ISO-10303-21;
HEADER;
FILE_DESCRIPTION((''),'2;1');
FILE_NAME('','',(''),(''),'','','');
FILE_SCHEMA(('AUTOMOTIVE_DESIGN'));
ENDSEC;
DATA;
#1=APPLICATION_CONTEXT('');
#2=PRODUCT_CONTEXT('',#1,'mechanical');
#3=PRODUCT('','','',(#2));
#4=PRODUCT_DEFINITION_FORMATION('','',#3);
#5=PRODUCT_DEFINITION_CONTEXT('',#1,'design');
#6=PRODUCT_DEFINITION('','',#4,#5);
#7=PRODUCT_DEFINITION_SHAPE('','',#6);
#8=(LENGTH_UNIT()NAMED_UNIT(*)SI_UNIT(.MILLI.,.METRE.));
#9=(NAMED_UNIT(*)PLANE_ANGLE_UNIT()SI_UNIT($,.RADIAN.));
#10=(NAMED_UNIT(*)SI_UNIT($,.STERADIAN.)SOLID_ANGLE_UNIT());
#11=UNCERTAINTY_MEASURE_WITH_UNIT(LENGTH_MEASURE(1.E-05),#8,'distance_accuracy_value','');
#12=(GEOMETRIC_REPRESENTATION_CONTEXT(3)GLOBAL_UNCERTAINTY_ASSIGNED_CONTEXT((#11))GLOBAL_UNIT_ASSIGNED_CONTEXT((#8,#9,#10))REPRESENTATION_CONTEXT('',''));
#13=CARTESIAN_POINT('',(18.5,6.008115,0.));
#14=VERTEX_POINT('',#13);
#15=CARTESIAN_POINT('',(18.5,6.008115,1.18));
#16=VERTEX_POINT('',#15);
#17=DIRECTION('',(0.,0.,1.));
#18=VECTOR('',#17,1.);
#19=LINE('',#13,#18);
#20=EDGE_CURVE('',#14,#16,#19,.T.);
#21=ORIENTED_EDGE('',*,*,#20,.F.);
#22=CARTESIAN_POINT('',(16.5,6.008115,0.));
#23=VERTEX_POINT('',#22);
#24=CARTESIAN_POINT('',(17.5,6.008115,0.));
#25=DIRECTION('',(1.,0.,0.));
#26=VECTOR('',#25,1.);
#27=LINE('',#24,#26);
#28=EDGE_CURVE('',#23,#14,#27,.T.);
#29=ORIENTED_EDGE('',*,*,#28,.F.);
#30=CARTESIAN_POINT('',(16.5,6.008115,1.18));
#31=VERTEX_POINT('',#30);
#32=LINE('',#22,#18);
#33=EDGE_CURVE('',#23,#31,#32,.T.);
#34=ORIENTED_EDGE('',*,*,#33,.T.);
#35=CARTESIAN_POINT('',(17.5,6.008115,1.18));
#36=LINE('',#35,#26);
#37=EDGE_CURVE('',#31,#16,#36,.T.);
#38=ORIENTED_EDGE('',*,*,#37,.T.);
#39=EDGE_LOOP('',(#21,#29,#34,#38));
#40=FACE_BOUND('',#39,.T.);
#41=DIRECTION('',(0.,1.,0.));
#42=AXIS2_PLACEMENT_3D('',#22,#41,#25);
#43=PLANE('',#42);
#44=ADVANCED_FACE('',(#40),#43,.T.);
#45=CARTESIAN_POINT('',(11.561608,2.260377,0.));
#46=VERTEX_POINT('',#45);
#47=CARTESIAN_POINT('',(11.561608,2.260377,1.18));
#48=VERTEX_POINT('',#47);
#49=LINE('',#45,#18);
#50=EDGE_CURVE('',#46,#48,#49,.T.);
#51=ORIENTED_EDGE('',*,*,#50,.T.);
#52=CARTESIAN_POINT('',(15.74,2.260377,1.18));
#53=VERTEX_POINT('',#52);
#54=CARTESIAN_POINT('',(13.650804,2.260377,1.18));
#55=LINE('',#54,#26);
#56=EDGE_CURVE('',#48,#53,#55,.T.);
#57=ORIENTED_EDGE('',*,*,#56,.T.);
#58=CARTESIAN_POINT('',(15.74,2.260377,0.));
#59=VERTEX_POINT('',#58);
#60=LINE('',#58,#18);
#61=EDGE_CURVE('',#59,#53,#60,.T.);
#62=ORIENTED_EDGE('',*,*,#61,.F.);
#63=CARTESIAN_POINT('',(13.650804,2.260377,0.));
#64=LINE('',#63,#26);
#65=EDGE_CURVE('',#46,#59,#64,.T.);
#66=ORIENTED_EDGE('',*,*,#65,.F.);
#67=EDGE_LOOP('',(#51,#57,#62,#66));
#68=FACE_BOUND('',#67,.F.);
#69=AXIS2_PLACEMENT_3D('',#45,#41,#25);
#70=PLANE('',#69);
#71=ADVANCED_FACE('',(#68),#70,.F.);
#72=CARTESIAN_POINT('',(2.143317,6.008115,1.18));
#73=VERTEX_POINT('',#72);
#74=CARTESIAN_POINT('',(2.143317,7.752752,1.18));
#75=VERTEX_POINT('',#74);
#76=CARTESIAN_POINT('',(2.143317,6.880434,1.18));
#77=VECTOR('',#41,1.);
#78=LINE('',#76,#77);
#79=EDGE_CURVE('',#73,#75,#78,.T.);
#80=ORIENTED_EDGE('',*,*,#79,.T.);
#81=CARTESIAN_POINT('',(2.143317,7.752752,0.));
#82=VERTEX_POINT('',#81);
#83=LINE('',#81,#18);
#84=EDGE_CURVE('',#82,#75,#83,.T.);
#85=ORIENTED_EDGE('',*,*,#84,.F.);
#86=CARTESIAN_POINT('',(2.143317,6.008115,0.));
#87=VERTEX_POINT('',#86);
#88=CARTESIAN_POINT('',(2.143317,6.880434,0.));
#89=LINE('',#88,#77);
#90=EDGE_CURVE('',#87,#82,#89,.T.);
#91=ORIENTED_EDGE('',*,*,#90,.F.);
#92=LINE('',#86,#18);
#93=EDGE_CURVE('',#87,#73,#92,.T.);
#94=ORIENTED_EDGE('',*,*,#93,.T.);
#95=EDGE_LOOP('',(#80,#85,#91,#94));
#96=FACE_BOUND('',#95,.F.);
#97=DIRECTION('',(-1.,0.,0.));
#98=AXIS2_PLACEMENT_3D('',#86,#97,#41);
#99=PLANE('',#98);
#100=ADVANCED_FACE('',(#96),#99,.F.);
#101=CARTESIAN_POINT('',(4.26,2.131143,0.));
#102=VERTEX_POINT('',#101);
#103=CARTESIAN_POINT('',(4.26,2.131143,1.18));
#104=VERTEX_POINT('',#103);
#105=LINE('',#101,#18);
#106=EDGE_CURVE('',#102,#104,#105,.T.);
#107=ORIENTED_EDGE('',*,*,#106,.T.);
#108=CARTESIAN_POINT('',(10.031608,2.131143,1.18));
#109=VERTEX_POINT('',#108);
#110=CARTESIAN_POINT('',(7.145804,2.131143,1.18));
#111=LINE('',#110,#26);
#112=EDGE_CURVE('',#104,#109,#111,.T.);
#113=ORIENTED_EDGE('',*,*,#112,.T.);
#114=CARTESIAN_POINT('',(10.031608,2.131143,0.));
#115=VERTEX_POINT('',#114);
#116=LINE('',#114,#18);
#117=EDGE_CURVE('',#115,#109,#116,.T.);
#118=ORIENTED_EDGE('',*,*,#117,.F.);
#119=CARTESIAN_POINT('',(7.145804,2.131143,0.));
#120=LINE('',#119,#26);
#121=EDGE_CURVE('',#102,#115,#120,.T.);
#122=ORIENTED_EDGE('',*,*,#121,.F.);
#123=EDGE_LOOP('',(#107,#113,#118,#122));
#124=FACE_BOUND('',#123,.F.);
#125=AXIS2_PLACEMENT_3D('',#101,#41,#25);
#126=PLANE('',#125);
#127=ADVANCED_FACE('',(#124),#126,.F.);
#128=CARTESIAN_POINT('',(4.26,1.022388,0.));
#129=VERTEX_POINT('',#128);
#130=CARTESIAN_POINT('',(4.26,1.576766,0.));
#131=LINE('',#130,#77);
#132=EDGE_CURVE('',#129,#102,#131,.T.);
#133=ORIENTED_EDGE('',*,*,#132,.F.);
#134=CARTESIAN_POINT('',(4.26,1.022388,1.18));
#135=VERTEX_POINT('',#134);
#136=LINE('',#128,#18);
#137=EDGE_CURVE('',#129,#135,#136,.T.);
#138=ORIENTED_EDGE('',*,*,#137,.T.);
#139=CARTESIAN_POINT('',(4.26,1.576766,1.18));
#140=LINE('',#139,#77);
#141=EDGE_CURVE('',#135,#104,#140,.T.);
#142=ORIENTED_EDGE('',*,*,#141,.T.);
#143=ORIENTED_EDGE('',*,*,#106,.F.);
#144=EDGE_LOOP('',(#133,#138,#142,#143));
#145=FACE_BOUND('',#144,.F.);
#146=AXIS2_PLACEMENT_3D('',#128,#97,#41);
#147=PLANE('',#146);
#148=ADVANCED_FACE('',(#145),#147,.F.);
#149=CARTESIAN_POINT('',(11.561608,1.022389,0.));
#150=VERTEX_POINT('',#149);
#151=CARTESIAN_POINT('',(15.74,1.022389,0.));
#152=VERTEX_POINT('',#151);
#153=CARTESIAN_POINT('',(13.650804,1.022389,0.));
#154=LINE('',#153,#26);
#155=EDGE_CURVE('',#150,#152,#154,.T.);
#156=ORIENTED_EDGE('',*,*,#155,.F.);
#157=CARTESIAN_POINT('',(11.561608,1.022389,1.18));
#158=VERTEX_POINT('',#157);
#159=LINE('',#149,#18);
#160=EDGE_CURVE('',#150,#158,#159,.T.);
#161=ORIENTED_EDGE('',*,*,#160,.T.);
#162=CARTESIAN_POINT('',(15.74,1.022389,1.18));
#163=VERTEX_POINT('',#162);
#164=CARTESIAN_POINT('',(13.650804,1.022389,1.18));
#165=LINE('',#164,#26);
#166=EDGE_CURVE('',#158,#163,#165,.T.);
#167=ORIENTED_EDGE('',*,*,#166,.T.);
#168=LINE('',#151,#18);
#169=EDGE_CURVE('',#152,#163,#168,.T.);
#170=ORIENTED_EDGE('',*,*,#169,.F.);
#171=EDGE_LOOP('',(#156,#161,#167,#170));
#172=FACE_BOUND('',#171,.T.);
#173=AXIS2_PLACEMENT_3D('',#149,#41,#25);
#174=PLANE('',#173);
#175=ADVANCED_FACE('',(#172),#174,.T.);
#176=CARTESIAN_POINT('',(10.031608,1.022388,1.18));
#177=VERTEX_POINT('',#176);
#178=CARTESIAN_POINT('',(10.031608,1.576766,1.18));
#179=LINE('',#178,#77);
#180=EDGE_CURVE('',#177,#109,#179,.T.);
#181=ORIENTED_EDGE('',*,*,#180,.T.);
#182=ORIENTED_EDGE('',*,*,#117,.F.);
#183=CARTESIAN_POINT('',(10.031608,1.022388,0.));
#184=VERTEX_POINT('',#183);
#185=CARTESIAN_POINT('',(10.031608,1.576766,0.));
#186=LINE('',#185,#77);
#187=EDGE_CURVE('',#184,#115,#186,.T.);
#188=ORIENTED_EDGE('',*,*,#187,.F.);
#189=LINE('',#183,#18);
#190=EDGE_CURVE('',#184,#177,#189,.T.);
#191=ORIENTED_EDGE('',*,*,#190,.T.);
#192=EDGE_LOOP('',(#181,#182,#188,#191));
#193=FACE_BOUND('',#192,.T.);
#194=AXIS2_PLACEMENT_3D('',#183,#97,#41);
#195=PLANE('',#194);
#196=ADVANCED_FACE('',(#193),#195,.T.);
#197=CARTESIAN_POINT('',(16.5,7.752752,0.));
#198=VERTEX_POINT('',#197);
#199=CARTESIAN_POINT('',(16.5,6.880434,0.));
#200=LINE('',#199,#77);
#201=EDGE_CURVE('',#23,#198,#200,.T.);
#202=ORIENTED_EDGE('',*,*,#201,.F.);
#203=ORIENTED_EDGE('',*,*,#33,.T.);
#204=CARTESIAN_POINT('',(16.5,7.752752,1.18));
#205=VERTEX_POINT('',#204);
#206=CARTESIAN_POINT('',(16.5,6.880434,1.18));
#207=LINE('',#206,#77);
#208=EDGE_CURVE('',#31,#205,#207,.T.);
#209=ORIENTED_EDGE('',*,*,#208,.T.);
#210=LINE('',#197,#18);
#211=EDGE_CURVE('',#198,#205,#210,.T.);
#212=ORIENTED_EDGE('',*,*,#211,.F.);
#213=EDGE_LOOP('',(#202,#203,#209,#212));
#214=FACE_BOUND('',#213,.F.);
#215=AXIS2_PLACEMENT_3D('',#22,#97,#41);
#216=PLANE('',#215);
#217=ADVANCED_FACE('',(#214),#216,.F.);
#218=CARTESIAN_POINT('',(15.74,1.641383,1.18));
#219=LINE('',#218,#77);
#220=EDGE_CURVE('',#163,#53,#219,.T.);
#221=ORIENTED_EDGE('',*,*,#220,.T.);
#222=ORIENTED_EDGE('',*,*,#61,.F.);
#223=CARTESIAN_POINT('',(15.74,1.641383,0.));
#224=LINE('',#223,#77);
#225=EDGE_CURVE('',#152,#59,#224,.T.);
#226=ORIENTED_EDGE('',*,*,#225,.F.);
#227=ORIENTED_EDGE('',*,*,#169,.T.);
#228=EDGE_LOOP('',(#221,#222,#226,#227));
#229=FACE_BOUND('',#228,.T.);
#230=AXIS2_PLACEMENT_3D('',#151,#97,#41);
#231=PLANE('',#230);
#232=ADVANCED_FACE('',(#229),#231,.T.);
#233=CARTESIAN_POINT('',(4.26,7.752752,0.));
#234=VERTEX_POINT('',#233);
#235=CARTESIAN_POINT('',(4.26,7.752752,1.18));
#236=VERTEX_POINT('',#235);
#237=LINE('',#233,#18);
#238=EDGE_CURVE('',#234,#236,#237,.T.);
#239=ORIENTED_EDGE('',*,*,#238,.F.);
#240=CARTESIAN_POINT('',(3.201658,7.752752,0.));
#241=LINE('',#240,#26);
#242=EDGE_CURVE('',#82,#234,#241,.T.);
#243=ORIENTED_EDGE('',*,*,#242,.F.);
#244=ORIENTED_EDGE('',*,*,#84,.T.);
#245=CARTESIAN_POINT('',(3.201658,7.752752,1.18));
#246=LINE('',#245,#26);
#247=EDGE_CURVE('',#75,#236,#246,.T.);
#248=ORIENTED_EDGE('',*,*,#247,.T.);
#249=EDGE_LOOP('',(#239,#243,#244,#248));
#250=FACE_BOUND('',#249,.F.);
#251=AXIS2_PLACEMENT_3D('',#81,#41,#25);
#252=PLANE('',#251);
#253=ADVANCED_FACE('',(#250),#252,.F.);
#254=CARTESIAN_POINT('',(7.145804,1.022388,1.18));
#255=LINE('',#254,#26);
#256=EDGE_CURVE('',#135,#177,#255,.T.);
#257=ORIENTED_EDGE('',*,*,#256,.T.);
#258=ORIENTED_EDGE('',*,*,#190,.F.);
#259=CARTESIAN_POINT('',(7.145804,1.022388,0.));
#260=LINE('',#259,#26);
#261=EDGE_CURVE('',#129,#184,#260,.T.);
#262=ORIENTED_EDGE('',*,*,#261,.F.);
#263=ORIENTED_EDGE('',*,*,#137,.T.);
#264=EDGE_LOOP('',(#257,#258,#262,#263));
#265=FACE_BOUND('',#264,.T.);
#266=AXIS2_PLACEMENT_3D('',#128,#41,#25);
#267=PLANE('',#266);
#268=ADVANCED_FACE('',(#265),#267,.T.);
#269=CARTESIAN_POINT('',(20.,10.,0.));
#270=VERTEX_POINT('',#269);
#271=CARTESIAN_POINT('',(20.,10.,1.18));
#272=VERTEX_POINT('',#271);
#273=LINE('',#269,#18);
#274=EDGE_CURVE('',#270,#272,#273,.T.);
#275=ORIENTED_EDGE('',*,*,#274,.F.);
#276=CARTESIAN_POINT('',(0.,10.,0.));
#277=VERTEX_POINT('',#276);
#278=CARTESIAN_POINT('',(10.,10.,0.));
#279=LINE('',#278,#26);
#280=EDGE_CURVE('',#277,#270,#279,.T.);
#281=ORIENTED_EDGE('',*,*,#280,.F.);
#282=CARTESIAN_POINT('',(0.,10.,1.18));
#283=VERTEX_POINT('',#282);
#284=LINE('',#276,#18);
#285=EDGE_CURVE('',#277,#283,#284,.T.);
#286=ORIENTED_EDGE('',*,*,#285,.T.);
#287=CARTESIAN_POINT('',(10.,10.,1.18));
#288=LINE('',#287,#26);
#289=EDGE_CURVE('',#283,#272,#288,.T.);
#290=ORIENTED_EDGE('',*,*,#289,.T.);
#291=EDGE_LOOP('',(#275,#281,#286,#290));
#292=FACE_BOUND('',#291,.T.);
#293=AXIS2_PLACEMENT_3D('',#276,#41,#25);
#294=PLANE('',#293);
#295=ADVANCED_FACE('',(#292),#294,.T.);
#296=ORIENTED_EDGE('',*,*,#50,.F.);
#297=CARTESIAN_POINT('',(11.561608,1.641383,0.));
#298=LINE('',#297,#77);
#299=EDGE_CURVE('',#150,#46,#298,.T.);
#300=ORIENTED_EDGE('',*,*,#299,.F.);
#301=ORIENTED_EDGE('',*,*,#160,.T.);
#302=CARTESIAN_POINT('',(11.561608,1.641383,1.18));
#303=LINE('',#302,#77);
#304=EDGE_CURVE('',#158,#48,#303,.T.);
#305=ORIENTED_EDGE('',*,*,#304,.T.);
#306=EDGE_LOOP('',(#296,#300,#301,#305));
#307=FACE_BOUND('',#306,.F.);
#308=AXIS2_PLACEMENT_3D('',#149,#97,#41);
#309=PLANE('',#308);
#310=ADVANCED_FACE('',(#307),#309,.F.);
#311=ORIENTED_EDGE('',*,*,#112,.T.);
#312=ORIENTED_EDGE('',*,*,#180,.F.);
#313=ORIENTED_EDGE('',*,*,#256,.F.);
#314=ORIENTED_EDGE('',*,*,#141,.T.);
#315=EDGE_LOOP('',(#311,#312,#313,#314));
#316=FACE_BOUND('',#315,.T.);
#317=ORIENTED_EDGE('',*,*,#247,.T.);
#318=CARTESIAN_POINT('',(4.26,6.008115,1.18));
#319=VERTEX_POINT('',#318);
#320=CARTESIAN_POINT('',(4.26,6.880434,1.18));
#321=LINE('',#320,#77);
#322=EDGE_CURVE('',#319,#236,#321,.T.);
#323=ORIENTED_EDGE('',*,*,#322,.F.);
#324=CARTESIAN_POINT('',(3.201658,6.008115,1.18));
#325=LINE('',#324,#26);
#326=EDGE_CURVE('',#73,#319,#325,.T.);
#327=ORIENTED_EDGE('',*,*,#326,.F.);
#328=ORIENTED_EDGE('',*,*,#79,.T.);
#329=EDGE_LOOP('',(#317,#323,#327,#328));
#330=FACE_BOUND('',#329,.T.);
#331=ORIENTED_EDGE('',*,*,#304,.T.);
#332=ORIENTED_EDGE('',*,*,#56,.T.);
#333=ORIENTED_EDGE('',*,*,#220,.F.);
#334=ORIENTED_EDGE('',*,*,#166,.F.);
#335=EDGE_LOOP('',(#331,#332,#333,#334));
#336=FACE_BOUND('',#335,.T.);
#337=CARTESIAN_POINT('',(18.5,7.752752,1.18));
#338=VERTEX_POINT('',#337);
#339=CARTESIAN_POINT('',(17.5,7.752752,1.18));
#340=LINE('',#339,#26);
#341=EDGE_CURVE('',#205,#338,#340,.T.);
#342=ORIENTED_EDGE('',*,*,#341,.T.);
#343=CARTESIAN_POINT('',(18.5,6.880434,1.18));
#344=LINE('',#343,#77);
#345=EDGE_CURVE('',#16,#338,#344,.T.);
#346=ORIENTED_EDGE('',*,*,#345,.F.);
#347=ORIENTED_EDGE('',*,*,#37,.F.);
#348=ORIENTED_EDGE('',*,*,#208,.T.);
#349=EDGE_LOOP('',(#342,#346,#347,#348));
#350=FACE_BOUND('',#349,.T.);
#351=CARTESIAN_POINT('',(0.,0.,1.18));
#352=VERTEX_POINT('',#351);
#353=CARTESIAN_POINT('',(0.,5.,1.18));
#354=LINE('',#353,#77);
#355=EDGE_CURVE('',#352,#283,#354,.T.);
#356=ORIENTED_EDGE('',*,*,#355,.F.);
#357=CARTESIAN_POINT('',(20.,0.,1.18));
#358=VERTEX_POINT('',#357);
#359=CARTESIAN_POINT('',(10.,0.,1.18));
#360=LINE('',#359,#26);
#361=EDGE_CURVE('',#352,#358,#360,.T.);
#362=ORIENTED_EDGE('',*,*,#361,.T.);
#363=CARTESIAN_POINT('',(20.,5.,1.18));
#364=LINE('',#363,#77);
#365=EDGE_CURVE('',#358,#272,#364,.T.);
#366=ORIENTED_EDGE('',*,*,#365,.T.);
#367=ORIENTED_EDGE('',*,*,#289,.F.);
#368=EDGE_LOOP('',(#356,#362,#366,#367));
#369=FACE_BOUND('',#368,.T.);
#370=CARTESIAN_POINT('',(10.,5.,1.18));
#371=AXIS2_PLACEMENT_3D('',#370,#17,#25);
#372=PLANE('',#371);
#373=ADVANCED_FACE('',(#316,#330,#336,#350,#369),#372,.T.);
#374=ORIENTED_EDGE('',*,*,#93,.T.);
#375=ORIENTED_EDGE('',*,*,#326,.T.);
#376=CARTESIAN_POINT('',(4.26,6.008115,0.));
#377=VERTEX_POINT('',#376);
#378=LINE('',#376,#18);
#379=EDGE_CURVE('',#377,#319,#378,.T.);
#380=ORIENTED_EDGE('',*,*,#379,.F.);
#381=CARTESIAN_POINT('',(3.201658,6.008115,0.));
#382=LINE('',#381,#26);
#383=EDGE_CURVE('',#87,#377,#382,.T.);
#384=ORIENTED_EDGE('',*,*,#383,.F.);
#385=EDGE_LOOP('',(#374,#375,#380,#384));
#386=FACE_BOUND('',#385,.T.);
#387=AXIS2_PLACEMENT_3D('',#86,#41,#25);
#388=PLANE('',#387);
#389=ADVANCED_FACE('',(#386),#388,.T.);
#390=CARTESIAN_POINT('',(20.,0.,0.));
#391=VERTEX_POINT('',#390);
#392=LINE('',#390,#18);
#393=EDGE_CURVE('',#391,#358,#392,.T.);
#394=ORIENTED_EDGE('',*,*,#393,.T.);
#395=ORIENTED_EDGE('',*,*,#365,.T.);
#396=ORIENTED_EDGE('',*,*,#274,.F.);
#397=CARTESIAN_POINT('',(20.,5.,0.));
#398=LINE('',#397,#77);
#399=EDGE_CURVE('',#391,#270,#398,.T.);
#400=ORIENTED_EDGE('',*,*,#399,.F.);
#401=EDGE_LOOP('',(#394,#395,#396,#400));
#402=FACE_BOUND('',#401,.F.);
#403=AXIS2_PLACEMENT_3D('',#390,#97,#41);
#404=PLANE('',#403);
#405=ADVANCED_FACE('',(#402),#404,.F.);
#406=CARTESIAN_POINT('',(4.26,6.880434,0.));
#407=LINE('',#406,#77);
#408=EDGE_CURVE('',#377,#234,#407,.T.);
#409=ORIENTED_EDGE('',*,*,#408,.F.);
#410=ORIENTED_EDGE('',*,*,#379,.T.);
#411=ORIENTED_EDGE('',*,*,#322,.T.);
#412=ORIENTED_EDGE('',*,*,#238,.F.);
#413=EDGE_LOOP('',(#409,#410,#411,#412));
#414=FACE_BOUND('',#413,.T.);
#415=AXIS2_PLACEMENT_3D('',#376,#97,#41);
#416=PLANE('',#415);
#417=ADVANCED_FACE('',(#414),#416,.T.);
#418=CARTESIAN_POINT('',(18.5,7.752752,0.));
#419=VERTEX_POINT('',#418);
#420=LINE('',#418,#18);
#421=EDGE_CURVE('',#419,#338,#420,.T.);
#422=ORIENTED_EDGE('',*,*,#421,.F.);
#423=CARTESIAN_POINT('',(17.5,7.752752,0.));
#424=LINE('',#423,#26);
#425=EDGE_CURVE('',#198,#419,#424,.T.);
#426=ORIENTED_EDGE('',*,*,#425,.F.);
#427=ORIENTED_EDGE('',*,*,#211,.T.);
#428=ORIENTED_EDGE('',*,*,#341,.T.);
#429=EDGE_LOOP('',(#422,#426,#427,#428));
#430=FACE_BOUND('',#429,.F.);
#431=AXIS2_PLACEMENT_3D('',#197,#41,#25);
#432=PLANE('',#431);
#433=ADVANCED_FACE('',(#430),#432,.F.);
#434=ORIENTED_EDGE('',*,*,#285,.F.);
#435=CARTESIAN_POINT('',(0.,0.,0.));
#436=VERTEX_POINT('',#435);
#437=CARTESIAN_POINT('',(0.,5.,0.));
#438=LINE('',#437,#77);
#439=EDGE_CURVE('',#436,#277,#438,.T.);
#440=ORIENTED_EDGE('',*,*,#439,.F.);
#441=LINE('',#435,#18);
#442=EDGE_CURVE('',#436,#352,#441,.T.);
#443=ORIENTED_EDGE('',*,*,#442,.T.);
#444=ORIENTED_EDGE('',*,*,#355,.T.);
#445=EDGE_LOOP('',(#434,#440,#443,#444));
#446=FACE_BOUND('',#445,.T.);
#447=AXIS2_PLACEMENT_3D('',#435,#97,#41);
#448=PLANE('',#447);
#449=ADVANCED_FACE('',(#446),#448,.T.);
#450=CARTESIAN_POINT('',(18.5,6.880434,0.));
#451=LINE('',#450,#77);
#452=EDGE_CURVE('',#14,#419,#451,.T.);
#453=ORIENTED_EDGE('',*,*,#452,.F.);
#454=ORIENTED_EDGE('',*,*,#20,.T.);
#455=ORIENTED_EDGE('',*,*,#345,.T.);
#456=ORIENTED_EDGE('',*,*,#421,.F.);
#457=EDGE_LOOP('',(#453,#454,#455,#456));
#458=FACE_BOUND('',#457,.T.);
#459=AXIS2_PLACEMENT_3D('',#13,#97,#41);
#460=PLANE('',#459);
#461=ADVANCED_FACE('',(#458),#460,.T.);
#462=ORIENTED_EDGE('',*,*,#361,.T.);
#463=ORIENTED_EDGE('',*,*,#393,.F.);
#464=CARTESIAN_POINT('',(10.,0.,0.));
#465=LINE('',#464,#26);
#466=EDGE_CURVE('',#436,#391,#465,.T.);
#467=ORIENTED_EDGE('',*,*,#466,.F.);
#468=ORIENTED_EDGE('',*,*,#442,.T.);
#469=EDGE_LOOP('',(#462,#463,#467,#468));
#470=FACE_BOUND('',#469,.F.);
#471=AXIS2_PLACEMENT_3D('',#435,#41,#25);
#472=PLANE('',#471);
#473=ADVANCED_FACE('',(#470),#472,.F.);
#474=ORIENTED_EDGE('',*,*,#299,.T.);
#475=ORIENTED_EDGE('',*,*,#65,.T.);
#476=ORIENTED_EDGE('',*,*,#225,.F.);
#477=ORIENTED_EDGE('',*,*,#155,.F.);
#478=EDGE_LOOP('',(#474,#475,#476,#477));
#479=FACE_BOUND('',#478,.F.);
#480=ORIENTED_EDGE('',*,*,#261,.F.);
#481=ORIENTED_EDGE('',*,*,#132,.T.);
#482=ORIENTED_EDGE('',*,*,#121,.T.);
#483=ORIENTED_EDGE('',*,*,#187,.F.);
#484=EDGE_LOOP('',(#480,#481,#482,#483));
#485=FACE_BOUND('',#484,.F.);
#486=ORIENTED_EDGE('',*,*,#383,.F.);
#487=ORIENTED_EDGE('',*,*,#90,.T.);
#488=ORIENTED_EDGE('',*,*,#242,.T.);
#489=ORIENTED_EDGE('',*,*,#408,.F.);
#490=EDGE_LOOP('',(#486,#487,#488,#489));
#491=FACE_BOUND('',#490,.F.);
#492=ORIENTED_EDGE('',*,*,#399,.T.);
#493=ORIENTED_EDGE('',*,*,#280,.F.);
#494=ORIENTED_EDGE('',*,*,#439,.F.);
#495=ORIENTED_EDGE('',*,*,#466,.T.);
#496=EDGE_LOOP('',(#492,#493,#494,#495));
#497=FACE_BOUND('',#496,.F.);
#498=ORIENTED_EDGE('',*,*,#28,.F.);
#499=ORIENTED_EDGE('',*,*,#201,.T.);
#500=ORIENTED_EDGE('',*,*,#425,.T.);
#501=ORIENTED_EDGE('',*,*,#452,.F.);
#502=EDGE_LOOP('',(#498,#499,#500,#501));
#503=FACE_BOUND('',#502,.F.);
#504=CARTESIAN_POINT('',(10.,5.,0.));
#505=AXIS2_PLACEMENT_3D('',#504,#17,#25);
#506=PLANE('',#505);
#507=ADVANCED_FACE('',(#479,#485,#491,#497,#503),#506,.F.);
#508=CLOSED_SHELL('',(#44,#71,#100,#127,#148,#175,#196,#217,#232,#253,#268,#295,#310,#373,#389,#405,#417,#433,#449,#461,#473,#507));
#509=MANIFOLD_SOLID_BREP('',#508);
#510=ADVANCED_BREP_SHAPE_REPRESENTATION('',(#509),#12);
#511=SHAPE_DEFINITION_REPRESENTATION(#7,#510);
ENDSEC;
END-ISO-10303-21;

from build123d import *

# Parameters (mm, degrees)
F0_W     = 20
F0_H     = 10
F0_W_2   = 5.771608
F0_H_2   = 1.108755
F0_W_3   = 4.178392
F0_H_3   = 1.237988
F0_W_4   = 2.116683
F0_H_4   = 1.744637
F0_W_5   = 2
F1_DEPTH = 1.18


with BuildPart() as f1:
    # F0 (on Top) → F1 (new body)
    with BuildSketch(Plane.XY):
        with Locations((10, 5)):
            Rectangle(F0_W, F0_H)
        with Locations((7.145804, 1.576766)):
            Rectangle(F0_W_2, F0_H_2, mode=Mode.SUBTRACT)
        with Locations((13.650804, 1.641383)):
            Rectangle(F0_W_3, F0_H_3, mode=Mode.SUBTRACT)
        with Locations((3.201658, 6.880434)):
            Rectangle(F0_W_4, F0_H_4, mode=Mode.SUBTRACT)
        with Locations((17.5, 6.880434)):
            Rectangle(F0_W_5, F0_H_4, mode=Mode.SUBTRACT)
    extrude(amount=F1_DEPTH)


solid = f1.part
